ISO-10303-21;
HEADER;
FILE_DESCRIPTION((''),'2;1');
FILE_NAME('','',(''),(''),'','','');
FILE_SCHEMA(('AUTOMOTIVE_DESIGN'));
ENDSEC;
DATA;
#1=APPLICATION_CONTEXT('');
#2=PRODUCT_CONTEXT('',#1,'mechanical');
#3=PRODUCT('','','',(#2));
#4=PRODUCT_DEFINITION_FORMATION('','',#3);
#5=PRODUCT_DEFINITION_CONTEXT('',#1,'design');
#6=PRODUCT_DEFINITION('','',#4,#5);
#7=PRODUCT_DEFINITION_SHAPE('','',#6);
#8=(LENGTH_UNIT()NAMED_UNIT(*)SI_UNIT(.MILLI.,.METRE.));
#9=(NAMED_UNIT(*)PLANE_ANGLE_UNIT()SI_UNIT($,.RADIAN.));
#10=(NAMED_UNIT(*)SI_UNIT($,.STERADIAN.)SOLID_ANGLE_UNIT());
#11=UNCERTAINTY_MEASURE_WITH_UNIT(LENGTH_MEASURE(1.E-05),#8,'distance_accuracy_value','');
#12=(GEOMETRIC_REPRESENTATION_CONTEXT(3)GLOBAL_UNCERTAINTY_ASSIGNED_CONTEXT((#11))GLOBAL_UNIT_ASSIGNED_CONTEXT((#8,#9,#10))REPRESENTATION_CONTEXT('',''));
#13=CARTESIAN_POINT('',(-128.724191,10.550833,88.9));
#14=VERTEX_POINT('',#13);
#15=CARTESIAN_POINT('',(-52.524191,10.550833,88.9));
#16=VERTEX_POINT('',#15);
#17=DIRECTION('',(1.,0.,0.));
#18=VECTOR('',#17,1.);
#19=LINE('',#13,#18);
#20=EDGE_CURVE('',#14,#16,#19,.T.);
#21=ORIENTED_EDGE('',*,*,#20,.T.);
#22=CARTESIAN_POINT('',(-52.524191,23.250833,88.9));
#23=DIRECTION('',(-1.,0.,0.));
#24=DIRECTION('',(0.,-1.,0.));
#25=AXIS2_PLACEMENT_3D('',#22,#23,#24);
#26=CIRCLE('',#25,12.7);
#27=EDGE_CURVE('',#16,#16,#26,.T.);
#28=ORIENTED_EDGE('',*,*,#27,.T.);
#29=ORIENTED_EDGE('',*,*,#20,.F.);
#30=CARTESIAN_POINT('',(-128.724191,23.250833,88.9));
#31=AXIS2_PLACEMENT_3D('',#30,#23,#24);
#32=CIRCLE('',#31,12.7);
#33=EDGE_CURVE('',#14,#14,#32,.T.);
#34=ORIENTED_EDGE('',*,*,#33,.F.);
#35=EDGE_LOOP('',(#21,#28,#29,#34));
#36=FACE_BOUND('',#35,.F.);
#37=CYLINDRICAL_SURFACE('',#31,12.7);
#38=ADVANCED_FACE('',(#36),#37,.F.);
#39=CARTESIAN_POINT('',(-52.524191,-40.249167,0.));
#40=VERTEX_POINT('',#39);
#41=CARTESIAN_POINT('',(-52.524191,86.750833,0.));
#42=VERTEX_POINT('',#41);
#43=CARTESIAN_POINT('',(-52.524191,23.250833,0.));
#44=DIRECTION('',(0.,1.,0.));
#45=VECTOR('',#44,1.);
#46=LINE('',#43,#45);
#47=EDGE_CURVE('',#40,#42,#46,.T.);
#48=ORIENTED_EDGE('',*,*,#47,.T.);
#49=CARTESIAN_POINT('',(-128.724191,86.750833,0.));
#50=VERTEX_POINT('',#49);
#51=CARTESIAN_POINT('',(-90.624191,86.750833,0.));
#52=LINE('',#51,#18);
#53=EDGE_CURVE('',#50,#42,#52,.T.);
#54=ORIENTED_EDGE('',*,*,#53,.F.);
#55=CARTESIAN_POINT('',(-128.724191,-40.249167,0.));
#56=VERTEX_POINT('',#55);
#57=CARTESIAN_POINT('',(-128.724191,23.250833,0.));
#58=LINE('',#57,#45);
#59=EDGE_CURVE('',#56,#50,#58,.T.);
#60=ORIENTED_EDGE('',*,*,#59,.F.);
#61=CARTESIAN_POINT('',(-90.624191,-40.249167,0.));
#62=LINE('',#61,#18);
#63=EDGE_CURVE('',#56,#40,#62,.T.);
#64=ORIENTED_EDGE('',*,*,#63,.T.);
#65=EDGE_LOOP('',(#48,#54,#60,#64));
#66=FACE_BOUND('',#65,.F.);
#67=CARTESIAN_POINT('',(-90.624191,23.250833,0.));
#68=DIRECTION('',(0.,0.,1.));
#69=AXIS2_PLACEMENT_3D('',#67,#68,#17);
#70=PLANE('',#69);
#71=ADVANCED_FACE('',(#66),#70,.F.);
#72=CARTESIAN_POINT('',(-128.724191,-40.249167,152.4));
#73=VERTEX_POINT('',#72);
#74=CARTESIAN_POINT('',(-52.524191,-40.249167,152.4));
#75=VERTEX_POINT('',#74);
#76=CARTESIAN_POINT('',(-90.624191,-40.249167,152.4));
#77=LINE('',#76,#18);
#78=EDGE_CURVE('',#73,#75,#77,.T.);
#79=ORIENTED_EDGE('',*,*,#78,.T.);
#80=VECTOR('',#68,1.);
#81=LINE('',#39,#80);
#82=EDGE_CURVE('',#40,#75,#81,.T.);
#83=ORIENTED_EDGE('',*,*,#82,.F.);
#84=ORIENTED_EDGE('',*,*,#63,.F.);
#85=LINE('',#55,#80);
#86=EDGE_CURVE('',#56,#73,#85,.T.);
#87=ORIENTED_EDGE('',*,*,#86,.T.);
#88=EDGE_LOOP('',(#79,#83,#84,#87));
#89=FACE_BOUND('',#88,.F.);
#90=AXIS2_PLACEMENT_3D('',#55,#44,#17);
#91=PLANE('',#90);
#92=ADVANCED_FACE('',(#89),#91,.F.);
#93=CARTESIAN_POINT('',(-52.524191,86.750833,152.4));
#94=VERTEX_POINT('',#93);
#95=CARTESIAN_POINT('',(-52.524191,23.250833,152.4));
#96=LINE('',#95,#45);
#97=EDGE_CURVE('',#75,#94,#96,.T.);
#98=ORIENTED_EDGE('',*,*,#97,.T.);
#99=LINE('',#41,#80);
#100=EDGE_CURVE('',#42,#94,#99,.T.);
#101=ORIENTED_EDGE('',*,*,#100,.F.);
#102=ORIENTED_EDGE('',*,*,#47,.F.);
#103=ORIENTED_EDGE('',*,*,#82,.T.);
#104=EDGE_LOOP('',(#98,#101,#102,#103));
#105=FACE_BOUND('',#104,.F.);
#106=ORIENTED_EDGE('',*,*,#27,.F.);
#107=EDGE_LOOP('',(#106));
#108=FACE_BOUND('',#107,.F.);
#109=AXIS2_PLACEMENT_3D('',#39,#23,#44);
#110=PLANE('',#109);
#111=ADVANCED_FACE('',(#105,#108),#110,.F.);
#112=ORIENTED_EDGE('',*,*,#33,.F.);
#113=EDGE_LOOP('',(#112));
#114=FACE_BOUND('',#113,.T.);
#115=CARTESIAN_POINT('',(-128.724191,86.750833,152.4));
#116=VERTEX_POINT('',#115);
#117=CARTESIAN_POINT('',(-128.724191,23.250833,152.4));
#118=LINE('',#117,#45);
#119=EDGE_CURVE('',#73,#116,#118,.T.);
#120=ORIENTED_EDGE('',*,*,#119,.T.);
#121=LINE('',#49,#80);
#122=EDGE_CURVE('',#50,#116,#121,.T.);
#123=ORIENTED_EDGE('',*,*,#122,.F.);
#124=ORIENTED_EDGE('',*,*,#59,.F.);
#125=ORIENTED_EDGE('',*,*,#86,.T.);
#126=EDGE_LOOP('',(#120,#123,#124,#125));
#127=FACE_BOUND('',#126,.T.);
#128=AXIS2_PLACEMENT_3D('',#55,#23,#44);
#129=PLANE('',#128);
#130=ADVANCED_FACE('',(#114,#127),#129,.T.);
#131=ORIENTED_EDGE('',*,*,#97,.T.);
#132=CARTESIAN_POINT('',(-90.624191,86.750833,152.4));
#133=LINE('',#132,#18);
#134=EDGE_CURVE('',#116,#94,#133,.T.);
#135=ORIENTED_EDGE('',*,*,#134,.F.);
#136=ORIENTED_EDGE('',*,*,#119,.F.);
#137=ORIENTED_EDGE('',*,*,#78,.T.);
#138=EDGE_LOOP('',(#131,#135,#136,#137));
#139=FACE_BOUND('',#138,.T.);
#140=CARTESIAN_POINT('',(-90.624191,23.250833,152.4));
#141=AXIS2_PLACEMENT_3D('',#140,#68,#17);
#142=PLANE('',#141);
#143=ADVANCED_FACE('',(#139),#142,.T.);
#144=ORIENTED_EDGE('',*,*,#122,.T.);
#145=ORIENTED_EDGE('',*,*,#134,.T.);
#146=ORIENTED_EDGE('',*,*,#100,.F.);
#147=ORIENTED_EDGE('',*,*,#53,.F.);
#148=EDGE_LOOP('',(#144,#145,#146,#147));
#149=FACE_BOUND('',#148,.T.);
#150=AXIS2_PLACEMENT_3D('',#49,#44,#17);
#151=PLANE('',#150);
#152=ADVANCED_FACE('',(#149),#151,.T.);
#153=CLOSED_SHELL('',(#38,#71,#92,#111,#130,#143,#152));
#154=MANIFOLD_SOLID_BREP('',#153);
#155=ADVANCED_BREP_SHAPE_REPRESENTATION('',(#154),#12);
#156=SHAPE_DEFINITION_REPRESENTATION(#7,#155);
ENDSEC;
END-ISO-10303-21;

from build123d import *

# Parameters (mm, degrees)
F0_W     = 76.2
F0_H     = 127
F1_DEPTH = 152.4
F2_R     = 12.7
F3_DEPTH = 76.201


with BuildPart() as f1:
    # F0 (on Top) → F1 (new body)
    with BuildSketch(Plane.XY):
        with Locations((-90.624191, 23.250833)):
            Rectangle(F0_W, F0_H)
    extrude(amount=F1_DEPTH)

    # F2 (on face) → F3 (cut, through all)
    with BuildSketch(Plane(origin=(-128.724191, 0, 0), x_dir=(0, -1, 0), z_dir=(-1, 0, 0))):
        with Locations((-23.250833, 88.9)):
            Circle(F2_R)
    extrude(amount=-F3_DEPTH, mode=Mode.SUBTRACT)


solid = f1.part
